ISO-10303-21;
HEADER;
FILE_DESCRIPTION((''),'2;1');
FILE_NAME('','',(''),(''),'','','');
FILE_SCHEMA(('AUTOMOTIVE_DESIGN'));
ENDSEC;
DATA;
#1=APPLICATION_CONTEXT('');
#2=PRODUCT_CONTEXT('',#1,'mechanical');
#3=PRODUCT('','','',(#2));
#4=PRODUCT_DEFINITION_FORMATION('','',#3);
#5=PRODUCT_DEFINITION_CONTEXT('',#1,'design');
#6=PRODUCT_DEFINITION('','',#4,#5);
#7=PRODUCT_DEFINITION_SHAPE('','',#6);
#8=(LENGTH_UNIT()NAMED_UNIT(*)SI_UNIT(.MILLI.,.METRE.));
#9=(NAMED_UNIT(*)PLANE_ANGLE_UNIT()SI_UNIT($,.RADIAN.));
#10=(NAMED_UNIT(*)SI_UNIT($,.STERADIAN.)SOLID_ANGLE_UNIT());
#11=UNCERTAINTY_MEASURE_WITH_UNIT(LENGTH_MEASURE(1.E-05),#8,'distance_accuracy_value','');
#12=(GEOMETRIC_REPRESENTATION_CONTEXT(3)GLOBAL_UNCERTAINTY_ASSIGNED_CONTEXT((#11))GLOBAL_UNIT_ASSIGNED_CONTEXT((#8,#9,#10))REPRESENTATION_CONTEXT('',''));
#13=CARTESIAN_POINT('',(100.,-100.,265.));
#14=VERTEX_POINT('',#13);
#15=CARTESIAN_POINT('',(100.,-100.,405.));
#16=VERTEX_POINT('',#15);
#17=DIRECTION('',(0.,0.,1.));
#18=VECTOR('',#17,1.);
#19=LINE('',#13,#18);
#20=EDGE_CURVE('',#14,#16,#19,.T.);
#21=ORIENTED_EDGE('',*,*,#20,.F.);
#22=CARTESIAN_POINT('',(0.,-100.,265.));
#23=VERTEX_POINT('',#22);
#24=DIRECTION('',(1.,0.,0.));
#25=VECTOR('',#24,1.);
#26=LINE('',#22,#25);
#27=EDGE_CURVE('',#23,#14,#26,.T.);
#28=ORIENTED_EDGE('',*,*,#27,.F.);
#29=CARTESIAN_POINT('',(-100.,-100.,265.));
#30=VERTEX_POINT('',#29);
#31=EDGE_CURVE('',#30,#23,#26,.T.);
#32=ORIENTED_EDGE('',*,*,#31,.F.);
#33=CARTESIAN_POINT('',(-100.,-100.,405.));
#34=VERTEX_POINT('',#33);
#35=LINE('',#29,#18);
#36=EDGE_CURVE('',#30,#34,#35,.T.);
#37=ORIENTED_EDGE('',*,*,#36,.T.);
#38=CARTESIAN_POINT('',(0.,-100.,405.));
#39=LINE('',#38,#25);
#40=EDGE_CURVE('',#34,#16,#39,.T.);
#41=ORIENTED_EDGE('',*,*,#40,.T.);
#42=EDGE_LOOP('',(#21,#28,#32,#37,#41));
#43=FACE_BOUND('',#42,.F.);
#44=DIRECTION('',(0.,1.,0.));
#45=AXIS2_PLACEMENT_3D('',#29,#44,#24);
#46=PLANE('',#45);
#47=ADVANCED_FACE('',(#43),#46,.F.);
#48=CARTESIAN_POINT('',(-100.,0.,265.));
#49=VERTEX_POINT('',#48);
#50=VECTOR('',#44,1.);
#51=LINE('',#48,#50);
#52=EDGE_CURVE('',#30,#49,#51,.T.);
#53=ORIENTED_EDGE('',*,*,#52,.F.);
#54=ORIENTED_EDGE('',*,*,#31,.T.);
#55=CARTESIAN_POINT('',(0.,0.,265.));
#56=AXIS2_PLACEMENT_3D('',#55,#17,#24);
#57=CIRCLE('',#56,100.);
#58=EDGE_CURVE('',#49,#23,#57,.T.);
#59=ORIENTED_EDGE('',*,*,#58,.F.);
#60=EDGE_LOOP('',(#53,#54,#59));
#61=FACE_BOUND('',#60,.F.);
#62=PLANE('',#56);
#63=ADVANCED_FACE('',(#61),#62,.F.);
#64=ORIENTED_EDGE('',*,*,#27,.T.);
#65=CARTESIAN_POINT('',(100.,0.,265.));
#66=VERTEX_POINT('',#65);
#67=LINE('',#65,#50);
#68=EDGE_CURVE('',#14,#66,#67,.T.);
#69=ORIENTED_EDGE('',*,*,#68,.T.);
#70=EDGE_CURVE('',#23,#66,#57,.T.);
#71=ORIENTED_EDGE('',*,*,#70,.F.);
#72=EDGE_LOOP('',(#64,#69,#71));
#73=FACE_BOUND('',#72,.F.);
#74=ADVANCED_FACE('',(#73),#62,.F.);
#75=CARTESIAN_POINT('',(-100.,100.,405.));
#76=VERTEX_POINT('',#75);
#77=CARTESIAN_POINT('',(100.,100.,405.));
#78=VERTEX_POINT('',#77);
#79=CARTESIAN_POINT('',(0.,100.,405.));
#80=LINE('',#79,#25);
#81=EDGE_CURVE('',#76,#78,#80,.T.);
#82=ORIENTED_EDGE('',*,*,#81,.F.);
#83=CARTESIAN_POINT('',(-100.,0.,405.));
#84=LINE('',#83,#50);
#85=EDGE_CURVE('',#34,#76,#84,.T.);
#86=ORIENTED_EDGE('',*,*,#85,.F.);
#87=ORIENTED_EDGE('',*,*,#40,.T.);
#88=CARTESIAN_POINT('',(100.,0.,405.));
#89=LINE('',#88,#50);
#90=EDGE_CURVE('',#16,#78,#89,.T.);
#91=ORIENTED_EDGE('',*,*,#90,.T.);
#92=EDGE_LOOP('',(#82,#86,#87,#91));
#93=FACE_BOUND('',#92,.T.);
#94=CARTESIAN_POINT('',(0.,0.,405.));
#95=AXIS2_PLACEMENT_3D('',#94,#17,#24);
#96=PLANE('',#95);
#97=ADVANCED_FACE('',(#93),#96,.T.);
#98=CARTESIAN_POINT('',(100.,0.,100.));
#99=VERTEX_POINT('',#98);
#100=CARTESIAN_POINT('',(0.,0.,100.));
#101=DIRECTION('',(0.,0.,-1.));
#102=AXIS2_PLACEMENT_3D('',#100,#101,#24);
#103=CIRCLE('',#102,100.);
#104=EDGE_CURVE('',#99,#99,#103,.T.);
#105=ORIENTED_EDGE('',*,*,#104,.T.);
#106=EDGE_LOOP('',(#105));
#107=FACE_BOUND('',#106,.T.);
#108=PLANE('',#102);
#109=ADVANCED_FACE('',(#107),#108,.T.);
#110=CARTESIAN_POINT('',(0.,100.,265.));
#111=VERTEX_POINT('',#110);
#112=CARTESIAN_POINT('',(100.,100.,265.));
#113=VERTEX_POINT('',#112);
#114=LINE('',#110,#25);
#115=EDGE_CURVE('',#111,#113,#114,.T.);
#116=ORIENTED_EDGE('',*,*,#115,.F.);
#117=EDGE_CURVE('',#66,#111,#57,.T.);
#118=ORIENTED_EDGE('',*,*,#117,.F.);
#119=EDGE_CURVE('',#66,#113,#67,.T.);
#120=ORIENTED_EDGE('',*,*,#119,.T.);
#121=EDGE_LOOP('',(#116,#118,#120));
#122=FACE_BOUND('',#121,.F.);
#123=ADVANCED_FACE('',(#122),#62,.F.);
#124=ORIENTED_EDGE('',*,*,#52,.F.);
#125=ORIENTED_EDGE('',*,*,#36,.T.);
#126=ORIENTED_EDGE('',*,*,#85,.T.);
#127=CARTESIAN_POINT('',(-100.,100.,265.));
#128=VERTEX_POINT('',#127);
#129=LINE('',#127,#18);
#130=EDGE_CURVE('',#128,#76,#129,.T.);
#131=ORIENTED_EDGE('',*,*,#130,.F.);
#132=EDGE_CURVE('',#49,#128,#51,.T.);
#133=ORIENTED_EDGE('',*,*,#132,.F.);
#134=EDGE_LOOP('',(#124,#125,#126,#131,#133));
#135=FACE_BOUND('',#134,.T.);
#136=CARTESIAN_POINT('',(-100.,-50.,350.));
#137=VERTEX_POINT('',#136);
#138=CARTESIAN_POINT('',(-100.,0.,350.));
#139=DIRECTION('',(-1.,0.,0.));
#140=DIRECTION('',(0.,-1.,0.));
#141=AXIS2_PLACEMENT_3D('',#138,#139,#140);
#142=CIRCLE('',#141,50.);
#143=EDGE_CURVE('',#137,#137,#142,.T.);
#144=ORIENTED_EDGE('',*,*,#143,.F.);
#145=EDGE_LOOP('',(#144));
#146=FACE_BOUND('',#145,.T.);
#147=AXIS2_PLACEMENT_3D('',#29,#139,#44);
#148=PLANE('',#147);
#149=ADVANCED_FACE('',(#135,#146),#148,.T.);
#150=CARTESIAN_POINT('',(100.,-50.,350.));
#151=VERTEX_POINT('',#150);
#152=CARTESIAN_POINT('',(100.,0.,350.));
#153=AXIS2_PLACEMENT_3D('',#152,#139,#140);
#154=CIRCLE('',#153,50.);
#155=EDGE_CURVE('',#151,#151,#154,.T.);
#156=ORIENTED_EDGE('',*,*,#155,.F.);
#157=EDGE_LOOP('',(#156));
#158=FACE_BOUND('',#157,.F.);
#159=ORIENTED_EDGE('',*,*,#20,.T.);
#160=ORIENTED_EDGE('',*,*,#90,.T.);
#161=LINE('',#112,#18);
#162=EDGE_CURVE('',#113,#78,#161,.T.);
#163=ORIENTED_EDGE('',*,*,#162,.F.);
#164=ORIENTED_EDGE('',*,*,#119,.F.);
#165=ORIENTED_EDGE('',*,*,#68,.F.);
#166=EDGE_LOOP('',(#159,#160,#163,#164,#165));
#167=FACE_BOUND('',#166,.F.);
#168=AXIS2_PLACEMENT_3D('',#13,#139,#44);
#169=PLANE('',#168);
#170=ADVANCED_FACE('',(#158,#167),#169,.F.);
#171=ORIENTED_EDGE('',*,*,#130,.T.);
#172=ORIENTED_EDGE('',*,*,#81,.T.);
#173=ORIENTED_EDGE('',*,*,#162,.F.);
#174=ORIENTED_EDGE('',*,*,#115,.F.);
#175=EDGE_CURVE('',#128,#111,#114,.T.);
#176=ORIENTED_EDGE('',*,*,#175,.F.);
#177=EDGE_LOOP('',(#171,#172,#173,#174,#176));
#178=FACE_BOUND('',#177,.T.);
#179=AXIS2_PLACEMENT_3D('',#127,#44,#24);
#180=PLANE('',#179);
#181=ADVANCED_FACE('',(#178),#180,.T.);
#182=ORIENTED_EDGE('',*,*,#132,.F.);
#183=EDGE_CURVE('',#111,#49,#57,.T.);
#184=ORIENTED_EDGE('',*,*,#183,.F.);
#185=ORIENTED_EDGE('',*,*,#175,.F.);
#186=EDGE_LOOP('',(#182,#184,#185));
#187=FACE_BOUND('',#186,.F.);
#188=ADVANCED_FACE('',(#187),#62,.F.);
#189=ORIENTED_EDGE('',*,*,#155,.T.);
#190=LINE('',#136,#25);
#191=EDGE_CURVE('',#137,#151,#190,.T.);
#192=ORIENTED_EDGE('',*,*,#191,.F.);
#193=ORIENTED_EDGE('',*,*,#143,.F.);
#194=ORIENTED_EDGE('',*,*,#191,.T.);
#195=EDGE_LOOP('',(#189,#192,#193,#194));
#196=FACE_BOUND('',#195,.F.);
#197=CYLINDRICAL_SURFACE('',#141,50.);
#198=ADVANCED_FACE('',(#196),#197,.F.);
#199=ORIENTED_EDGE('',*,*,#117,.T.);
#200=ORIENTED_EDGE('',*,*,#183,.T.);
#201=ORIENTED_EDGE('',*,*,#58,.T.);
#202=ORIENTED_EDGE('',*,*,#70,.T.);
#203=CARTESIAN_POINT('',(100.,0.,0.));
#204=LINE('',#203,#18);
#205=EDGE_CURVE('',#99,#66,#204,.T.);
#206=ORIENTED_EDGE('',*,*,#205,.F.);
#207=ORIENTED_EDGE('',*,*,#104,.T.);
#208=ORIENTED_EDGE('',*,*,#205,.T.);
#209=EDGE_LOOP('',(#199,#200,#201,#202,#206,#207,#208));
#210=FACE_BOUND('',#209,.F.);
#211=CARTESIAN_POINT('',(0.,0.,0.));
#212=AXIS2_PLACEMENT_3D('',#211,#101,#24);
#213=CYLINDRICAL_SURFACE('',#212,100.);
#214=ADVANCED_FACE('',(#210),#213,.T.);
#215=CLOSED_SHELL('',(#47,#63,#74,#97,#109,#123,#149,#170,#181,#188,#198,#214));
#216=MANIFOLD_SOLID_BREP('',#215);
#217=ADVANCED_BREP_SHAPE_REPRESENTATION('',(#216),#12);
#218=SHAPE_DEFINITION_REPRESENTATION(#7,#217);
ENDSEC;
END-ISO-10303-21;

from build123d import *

# Parameters (mm, degrees)
F0_R     = 100
F1_DEPTH = 265
F2_R     = 100
F3_DEPTH = 100
F4_W     = 200
F4_H     = 200
F5_DEPTH = 140
F6_R     = 50
F7_DEPTH = 200


with BuildPart() as f1:
    # F0 (on Top) → F1 (new body)
    with BuildSketch(Plane.XY):
        Circle(F0_R)
    extrude(amount=F1_DEPTH)

    # F2 (on face) → F3 (cut)
    with BuildSketch(Plane(origin=(0, 0, 0), x_dir=(1, 0, 0), z_dir=(0, 0, -1))):
        Circle(F2_R)
    extrude(amount=-F3_DEPTH, mode=Mode.SUBTRACT)

    # F4 (on face) → F5 (join)
    with BuildSketch(Plane.XY.offset(265)):
        Rectangle(F4_W, F4_H)
    extrude(amount=F5_DEPTH)

    # F6 (on face) → F7 (cut)
    with BuildSketch(Plane(origin=(-100, 0, 0), x_dir=(0, -1, 0), z_dir=(-1, 0, 0))):
        with Locations((0, 350)):
            Circle(F6_R)
    extrude(amount=-F7_DEPTH, mode=Mode.SUBTRACT)


solid = f1.part
